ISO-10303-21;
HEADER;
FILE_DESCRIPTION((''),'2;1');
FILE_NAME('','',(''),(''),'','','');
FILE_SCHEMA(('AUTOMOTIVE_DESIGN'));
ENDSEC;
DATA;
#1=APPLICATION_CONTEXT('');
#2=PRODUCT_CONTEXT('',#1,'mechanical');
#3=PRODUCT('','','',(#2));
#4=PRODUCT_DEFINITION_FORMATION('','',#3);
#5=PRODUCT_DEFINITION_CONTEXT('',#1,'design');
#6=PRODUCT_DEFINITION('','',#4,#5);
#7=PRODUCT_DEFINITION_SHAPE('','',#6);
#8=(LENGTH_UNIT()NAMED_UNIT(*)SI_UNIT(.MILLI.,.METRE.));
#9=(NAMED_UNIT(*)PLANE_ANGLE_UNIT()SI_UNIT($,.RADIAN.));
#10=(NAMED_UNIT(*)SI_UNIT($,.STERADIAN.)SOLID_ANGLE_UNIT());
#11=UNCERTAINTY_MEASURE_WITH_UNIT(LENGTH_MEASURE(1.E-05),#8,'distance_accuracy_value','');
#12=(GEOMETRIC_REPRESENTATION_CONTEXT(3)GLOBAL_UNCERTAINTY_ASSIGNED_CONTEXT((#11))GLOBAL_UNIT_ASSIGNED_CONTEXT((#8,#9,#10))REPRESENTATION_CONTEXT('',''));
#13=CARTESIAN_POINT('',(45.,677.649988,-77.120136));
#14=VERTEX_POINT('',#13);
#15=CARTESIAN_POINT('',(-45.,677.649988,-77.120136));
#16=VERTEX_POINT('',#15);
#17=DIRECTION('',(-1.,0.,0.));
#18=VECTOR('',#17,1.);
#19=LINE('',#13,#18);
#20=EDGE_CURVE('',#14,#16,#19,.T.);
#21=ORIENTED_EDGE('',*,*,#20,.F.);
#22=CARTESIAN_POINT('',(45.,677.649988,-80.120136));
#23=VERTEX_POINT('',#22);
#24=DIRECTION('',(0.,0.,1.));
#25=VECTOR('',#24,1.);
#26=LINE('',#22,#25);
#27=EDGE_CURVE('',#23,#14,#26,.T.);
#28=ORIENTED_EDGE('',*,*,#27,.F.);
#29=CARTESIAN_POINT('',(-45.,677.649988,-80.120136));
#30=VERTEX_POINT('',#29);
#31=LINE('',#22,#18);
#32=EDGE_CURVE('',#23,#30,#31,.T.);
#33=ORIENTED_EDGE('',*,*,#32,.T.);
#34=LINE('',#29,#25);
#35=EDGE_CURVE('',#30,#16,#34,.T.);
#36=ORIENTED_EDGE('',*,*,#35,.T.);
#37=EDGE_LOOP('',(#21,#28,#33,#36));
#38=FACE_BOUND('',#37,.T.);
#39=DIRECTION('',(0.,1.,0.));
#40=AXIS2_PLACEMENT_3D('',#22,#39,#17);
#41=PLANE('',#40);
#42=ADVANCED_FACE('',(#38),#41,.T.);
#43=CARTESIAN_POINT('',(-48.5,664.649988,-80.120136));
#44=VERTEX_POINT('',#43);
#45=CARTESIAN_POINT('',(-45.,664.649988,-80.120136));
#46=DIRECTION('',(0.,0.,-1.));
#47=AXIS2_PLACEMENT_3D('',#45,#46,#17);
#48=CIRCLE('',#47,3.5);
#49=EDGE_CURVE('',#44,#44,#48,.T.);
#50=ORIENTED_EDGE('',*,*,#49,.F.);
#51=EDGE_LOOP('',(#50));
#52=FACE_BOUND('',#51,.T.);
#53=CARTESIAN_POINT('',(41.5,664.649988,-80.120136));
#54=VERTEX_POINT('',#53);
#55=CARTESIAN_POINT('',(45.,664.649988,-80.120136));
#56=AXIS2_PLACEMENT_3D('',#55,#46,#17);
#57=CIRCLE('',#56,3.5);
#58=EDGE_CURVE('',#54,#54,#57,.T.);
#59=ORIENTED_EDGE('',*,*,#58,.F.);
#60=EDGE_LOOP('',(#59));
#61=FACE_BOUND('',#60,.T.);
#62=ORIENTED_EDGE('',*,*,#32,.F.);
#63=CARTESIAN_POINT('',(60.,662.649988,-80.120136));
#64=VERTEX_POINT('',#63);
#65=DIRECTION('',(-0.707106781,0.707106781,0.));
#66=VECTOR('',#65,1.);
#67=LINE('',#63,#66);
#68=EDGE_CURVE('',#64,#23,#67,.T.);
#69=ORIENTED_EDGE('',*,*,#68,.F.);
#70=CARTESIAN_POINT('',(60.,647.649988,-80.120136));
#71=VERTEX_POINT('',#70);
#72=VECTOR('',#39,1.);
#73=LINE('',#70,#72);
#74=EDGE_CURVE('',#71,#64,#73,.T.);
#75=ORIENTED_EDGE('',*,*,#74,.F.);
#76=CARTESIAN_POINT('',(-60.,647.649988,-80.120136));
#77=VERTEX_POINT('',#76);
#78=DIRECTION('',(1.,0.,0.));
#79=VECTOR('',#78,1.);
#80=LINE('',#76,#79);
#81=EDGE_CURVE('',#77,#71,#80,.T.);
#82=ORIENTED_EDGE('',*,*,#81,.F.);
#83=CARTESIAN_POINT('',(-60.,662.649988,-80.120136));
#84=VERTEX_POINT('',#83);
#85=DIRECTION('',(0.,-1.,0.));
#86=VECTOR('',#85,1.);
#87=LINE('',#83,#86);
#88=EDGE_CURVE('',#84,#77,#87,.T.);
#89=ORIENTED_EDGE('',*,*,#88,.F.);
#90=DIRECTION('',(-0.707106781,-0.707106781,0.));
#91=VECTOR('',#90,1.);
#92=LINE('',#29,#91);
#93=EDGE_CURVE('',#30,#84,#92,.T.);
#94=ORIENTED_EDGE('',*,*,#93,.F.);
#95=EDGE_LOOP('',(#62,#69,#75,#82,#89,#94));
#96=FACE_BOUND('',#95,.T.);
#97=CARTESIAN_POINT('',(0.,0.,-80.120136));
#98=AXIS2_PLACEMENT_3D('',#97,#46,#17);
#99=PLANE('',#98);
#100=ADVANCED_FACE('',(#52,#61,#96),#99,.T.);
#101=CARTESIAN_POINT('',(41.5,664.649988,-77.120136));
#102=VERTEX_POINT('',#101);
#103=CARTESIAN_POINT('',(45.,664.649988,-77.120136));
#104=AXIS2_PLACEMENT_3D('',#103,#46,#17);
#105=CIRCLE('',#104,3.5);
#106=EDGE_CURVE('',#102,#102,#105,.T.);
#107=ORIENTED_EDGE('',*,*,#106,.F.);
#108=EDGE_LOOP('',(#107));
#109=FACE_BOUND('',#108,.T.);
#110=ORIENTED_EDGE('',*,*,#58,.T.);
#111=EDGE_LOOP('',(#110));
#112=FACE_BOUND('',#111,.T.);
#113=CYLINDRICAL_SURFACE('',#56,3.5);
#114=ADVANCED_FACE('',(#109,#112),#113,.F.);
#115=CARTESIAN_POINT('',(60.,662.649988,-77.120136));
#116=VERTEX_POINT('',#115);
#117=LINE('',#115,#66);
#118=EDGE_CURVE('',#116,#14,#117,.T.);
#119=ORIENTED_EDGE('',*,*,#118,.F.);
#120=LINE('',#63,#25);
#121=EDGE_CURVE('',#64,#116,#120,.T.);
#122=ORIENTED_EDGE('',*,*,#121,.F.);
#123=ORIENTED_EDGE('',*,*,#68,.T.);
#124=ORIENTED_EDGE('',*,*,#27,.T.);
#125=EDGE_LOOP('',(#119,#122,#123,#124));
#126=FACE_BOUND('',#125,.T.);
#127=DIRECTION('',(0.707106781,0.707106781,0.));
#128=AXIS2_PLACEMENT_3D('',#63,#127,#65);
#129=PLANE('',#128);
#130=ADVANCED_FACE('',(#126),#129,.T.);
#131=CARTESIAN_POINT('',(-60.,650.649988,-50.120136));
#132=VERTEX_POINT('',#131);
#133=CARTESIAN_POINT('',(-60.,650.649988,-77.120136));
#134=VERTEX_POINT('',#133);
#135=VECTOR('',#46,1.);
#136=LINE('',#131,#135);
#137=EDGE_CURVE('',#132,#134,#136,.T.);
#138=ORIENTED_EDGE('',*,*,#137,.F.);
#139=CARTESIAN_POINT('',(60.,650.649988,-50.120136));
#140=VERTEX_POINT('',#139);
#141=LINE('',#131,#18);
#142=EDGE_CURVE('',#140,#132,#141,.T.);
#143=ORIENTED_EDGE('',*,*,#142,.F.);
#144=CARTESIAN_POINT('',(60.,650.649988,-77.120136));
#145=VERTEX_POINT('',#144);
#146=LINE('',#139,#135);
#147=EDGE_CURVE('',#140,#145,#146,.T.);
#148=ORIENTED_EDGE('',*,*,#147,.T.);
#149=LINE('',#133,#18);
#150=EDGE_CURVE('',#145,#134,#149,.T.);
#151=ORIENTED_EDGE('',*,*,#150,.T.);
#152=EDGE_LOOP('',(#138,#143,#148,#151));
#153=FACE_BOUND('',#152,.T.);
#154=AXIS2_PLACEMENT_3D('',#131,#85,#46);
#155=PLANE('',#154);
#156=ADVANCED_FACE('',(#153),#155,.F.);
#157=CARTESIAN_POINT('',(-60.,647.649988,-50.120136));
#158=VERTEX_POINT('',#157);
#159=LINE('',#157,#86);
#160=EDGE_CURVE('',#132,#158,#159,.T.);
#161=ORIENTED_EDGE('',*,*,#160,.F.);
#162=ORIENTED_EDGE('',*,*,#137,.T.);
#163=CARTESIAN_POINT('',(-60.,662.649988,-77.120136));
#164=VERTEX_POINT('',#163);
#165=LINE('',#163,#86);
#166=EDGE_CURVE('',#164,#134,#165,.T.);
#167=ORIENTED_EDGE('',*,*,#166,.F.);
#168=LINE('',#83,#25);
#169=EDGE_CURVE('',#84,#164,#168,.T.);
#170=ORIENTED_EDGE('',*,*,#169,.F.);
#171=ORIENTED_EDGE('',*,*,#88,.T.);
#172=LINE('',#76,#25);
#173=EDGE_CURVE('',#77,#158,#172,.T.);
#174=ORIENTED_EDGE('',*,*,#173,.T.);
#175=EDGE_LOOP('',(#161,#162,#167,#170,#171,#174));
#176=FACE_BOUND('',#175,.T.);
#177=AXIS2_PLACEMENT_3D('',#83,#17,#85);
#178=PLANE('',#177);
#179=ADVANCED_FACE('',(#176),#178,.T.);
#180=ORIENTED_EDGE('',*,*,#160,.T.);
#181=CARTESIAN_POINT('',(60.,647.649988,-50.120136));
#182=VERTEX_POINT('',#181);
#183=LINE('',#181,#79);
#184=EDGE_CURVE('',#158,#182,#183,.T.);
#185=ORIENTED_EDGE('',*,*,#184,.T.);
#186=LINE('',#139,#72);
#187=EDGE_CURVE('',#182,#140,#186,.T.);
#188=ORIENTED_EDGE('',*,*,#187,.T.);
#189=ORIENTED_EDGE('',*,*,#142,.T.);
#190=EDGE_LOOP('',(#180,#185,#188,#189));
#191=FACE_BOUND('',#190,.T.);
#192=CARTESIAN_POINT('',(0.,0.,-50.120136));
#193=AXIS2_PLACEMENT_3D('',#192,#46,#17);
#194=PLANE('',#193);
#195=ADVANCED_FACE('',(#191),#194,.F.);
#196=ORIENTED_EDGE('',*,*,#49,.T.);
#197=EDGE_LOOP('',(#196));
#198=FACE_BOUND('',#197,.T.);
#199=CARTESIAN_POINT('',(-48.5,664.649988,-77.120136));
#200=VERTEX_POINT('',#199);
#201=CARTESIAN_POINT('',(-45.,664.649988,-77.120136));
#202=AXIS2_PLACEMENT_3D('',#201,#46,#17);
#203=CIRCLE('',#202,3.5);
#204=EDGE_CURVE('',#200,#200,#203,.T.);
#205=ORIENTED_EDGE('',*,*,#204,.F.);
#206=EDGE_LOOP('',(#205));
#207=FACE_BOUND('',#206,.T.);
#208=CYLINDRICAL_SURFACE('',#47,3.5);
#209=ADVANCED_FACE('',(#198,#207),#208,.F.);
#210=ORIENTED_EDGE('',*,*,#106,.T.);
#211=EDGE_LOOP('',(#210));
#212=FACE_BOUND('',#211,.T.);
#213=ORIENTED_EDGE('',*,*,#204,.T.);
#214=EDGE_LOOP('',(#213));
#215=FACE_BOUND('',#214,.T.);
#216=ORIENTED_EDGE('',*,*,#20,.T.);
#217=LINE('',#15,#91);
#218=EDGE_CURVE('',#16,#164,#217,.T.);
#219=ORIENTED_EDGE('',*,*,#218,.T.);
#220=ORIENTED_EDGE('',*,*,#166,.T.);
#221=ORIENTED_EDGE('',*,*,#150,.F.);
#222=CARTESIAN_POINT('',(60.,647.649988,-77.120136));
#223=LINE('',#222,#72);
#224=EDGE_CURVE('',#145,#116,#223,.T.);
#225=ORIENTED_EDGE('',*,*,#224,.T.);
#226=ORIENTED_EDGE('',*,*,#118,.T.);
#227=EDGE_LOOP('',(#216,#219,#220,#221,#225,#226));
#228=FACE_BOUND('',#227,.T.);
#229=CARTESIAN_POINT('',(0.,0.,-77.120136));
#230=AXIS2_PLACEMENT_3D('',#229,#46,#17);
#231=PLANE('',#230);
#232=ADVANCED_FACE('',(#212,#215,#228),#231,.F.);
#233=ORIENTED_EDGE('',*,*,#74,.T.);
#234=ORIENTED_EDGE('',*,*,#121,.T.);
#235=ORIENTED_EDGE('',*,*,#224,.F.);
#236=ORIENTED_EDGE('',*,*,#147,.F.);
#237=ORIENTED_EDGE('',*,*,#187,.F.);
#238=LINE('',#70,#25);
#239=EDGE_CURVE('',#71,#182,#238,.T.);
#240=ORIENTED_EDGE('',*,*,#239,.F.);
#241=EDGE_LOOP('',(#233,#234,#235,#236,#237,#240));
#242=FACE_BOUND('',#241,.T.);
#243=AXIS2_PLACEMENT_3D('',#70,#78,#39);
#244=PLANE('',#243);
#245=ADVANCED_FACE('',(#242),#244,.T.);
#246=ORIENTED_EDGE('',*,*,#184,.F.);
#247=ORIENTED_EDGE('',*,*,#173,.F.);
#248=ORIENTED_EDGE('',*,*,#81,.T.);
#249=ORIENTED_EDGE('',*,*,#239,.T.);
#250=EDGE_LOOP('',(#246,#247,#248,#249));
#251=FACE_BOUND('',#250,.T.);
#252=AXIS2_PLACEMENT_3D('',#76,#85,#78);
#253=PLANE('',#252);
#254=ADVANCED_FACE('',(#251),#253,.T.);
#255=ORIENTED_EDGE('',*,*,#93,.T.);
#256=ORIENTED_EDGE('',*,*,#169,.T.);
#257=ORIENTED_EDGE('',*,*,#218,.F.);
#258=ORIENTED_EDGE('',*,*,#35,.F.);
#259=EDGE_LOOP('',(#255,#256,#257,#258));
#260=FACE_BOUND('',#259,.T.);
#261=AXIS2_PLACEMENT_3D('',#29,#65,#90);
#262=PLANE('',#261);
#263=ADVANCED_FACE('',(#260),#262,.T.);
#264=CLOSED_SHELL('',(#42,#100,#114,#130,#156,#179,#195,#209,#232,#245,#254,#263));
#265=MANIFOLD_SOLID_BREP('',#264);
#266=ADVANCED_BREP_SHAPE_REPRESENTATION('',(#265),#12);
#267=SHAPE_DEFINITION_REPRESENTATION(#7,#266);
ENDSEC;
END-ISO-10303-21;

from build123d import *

# Parameters (mm, degrees)
SALIENTE_EXTRUIR1_DEPTH           = 3
CROQUIS2_W                        = 120
CROQUIS2_H                        = 3
SALIENTE_EXTRUIR2_DEPTH           = 27
DI_METRO_DE_TALADRO_7_0_7_1_D     = 7
DI_METRO_DE_TALADRO_7_0_7_1_DEPTH = 30


with BuildPart() as part:
    # Croquis1 → Saliente-Extruir1 (new body)
    with BuildSketch(Plane.XY.offset(-77.120136034)):
        Polygon((-60, 662.649987793), (-60, 647.649987793), (60, 647.649987793), (60, 662.649987793), (45, 677.649987793), (-45, 677.649987793), align=None)
    extrude(amount=-SALIENTE_EXTRUIR1_DEPTH)

    # Croquis2 → Saliente-Extruir2 (add)
    with BuildSketch(Plane.XY.offset(-77.120136034)):
        with Locations((0, 649.149987793)):
            Rectangle(CROQUIS2_W, CROQUIS2_H)
    extrude(amount=SALIENTE_EXTRUIR2_DEPTH)

    # Diámetro de taladro Ø7.0 (7)1
    with Locations(Plane(origin=(0, 0, -80.120136034), x_dir=(-1, 0, 0), z_dir=(0, 0, -1))):
        with Locations((45, 664.649987793), (-45, 664.649987793)):
            Hole(DI_METRO_DE_TALADRO_7_0_7_1_D / 2, depth=DI_METRO_DE_TALADRO_7_0_7_1_DEPTH)


solid = part.part
